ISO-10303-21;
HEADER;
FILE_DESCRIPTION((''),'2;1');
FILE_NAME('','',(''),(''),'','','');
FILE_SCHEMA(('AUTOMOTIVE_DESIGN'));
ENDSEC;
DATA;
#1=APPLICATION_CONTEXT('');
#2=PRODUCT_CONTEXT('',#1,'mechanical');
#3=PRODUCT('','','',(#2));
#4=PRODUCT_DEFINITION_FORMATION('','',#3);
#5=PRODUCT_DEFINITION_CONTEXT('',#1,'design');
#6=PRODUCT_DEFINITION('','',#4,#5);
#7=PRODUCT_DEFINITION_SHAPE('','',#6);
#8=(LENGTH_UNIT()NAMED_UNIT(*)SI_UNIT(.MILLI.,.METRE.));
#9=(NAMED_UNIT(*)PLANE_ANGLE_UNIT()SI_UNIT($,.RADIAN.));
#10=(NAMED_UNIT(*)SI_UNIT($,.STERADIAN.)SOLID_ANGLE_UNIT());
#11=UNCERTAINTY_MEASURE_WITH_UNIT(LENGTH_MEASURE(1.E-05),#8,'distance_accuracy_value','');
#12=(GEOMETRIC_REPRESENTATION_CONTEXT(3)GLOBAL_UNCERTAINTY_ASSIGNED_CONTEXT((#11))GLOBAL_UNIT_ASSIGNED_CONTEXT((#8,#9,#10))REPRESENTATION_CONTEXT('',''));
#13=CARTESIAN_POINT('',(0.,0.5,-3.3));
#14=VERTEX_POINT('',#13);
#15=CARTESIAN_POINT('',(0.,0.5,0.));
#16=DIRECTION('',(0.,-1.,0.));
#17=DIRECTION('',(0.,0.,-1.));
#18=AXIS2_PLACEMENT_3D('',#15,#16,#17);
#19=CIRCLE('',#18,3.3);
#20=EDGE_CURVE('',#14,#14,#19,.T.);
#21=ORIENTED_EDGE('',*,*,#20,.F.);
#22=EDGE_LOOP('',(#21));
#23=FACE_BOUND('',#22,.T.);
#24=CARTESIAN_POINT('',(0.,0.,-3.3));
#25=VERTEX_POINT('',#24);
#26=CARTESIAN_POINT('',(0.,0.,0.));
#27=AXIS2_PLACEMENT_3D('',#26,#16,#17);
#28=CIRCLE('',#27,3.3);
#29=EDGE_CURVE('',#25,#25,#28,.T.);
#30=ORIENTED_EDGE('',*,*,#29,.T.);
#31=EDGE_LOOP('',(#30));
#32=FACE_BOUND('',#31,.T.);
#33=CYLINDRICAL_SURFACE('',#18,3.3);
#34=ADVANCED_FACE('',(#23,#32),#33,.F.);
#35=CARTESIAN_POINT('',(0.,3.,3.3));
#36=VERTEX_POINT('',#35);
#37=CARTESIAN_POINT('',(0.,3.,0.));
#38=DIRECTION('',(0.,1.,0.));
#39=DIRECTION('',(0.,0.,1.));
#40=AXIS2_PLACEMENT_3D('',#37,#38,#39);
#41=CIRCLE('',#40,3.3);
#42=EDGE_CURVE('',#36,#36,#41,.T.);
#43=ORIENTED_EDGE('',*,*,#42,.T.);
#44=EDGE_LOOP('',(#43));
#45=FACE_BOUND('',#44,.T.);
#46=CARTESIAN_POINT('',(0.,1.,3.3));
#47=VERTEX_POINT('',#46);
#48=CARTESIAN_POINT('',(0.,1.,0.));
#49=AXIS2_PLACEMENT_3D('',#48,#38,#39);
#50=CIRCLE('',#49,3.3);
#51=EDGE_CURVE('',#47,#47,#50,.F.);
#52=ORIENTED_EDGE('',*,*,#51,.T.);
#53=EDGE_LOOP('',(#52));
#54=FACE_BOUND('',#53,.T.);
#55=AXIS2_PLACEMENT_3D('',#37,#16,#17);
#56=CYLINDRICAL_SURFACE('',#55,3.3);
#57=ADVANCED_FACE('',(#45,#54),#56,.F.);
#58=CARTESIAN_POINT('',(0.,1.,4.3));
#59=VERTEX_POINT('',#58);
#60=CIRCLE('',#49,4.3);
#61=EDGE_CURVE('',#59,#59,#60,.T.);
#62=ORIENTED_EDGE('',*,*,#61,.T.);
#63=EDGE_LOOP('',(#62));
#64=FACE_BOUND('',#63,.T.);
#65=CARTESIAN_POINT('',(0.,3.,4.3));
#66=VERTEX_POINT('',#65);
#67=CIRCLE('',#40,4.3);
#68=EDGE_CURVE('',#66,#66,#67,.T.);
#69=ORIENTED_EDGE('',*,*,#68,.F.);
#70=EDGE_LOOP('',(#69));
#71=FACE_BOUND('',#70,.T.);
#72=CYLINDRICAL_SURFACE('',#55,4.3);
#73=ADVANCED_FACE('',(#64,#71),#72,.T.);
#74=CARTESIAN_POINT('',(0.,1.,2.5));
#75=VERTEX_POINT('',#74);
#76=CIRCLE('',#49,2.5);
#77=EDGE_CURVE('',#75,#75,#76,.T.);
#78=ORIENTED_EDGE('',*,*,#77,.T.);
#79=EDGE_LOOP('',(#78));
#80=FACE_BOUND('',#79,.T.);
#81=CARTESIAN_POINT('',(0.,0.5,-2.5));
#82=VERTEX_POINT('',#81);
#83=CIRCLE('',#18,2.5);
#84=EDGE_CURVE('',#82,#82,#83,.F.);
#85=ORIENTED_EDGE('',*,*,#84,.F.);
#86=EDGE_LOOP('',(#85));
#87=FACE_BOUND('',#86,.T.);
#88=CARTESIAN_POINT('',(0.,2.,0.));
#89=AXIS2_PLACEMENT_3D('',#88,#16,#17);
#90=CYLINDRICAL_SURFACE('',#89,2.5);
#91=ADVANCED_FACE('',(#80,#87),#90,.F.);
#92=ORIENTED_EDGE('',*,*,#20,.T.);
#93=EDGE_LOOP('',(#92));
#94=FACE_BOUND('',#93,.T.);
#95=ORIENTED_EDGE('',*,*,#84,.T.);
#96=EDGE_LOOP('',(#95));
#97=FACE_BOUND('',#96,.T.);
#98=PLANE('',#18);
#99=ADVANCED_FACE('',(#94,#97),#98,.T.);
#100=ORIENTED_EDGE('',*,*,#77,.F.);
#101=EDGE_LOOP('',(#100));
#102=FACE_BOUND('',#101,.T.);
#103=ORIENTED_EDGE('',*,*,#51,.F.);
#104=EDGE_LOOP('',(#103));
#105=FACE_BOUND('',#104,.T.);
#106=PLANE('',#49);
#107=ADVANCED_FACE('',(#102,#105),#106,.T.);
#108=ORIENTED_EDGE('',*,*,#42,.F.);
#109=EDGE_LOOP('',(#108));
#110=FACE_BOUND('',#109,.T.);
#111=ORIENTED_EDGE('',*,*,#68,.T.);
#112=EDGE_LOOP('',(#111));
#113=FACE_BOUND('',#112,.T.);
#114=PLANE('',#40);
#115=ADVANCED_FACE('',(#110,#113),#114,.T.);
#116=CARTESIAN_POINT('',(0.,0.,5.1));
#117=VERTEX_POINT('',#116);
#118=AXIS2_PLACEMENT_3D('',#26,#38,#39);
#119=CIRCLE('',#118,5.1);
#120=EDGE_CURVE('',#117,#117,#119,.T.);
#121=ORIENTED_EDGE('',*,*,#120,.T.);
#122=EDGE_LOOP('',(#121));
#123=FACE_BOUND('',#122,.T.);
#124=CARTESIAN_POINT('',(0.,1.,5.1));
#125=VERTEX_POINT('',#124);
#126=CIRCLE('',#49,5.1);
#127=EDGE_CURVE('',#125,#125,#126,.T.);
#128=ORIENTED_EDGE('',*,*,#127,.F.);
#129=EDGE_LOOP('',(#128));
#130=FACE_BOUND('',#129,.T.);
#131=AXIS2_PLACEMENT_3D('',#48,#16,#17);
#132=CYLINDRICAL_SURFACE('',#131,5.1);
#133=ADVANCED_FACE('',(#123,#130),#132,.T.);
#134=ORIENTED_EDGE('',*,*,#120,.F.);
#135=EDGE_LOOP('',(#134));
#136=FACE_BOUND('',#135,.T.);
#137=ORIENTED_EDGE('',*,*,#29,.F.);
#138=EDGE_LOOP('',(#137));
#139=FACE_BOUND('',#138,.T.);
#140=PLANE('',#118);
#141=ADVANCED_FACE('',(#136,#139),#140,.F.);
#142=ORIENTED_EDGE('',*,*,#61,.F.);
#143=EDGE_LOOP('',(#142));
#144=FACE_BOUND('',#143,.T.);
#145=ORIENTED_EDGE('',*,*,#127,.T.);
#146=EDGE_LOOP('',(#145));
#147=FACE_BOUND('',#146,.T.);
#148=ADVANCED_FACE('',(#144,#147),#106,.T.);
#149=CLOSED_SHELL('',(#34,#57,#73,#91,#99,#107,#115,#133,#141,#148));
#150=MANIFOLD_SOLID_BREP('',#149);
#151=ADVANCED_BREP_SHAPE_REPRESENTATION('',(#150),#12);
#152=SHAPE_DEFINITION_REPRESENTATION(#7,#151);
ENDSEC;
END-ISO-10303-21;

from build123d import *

# Parameters (mm, degrees)
SKETCH1_R           = 5.1
BOSS_EXTRUDE1_DEPTH = 1
SKETCH2_R           = 4.3
SKETCH2_R_2         = 3.3
BOSS_EXTRUDE2_DEPTH = 2
SKETCH3_R           = 2.5
CUT_EXTRUDE1_DEPTH  = 2
SKETCH4_R           = 3.3
CUT_EXTRUDE2_DEPTH  = 0.5


with BuildPart() as part:
    # Sketch1 → Boss-Extrude1 (new body)
    with BuildSketch(Plane(origin=(0, 0, 0), x_dir=(1, 0, 0), z_dir=(0, 1, 0))):
        with Locations(Location((0, 0, 0), (0, 0, 270))):
            Circle(SKETCH1_R)
    extrude(amount=BOSS_EXTRUDE1_DEPTH)

    # Sketch2 → Boss-Extrude2 (add)
    with BuildSketch(Plane(origin=(0, 1, 0), x_dir=(1, 0, 0), z_dir=(0, 1, 0))):
        with Locations(Location((0, 0, 0), (0, 0, 270))):
            Circle(SKETCH2_R)
        with Locations(Location((0, 0, 0), (0, 0, 270))):
            Circle(SKETCH2_R_2, mode=Mode.SUBTRACT)
    extrude(amount=BOSS_EXTRUDE2_DEPTH)

    # Sketch3 → Cut-Extrude1 (cut)
    with BuildSketch(Plane.XZ):
        with Locations(Location((0, 0, 0), (0, 0, 270))):
            Circle(SKETCH3_R)
    extrude(amount=-CUT_EXTRUDE1_DEPTH, mode=Mode.SUBTRACT)

    # Sketch4 → Cut-Extrude2 (cut)
    with BuildSketch(Plane.XZ):
        with Locations(Location((0, 0, 0), (0, 0, 90))):
            Circle(SKETCH4_R)
    extrude(amount=-CUT_EXTRUDE2_DEPTH, mode=Mode.SUBTRACT)


solid = part.part
